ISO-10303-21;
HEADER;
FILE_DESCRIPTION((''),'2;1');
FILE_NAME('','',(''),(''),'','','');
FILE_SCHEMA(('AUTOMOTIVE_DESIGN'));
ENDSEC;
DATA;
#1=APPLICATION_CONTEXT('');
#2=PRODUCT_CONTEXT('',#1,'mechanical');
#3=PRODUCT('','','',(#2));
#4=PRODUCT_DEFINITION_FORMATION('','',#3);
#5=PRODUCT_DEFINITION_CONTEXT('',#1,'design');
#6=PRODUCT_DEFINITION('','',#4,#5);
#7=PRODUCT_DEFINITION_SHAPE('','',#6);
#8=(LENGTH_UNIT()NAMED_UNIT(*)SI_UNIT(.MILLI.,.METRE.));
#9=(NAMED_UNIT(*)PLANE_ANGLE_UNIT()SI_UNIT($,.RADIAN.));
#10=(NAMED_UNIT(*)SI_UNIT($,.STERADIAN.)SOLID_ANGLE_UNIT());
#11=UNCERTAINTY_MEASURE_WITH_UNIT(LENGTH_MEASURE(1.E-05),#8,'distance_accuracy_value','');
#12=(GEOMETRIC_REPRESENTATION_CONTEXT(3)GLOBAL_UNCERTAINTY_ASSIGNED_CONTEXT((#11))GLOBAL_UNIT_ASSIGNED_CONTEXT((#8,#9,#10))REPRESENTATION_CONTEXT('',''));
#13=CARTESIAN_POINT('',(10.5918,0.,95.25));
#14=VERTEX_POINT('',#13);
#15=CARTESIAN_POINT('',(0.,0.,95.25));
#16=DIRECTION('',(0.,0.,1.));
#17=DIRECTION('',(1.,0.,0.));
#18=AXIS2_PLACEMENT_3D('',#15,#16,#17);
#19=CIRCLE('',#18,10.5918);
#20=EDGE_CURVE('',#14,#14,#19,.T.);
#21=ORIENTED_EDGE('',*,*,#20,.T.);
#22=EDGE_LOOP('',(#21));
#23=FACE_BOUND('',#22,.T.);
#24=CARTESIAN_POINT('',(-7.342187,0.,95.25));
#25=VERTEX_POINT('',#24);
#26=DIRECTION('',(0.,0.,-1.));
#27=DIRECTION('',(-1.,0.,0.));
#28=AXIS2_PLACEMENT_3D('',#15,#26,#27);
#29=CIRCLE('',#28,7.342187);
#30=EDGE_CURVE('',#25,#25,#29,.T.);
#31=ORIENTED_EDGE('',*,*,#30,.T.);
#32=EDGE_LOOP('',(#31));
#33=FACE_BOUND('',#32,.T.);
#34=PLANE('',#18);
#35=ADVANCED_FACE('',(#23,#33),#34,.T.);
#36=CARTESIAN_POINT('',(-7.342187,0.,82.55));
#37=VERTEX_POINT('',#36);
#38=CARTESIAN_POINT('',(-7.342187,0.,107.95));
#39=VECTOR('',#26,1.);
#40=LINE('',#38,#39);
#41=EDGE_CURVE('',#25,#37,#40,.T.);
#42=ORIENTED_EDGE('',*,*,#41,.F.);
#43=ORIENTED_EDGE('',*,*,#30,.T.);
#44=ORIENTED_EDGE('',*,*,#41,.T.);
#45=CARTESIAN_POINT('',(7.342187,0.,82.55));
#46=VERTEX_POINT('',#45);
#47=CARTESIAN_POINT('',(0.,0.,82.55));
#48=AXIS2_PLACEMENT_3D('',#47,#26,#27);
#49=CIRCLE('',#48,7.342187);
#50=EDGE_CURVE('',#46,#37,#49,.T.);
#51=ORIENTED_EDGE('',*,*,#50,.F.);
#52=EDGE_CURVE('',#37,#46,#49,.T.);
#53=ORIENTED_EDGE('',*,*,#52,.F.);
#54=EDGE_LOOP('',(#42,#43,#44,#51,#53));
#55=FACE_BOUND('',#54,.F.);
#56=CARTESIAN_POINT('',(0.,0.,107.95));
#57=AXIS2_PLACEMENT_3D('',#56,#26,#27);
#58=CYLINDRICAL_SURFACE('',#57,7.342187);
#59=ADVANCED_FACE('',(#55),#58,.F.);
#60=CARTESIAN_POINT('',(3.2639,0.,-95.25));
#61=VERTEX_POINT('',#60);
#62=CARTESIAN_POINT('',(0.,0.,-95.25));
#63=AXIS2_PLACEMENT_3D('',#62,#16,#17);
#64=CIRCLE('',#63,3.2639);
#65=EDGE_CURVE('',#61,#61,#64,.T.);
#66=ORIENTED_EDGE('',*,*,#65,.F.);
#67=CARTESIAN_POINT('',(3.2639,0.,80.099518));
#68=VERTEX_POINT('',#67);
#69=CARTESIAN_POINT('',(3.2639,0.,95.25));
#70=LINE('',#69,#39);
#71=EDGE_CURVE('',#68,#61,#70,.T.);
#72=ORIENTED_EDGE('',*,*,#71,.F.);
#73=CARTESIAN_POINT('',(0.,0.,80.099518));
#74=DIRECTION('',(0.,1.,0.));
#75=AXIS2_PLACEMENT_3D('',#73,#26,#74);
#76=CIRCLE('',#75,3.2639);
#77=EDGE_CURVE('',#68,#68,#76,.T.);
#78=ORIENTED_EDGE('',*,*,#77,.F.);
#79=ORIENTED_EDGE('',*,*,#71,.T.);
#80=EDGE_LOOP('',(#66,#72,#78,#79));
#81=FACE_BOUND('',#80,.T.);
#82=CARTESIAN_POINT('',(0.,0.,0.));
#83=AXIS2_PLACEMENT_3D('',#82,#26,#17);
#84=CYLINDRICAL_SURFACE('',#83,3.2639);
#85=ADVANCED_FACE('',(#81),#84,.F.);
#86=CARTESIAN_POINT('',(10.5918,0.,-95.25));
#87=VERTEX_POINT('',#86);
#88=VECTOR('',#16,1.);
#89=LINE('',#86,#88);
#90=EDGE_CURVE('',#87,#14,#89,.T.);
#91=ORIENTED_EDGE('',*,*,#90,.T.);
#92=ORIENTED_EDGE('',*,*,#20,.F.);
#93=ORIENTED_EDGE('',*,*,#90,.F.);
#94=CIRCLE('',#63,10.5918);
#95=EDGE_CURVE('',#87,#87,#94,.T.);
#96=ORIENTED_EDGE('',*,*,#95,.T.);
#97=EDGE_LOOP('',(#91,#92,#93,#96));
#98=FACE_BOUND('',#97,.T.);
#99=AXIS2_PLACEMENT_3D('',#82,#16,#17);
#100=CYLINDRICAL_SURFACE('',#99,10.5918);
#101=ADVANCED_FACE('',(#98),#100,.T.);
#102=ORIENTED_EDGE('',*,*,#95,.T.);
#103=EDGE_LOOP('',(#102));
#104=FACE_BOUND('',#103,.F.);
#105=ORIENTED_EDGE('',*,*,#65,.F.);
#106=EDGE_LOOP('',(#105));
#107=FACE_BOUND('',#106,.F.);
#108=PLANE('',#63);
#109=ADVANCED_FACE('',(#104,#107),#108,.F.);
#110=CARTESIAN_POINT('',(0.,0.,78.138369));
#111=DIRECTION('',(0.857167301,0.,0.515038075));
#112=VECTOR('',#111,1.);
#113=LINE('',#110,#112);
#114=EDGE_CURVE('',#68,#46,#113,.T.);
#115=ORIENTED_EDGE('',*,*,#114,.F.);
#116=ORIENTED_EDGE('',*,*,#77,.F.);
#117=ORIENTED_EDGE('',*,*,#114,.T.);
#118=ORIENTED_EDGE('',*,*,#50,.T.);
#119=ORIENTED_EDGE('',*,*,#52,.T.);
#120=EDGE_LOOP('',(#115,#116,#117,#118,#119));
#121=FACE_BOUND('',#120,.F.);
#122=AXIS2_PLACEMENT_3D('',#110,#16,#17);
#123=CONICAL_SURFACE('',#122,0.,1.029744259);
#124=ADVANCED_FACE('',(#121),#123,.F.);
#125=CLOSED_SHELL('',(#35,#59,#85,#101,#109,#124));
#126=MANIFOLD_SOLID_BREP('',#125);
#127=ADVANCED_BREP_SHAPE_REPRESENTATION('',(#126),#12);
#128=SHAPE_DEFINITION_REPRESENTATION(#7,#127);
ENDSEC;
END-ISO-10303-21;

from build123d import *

# Parameters (mm, degrees)
F0_R     = 10.5918
F0_R_2   = 3.2639
F1_DEPTH = 95.25
F3_D     = 14.684375
F3_DEPTH = 12.7
F3_TIP   = 4.4116313263


with BuildPart() as f1:
    # F0 (on Top) → F1 (new body, symmetric)
    with BuildSketch(Plane.XY):
        Circle(F0_R)
        Circle(F0_R_2, mode=Mode.SUBTRACT)
    extrude(amount=F1_DEPTH, both=True)

    # F3
    with Locations(Plane.XY.offset(95.25)):
        with Locations((0, 0)):
            Hole(F3_D / 2, depth=F3_DEPTH)
            with Locations((0, 0, -(F3_DEPTH + F3_TIP / 2))):  # 118° drill point
                Cone(0, F3_D / 2, F3_TIP, mode=Mode.SUBTRACT)


solid = f1.part
